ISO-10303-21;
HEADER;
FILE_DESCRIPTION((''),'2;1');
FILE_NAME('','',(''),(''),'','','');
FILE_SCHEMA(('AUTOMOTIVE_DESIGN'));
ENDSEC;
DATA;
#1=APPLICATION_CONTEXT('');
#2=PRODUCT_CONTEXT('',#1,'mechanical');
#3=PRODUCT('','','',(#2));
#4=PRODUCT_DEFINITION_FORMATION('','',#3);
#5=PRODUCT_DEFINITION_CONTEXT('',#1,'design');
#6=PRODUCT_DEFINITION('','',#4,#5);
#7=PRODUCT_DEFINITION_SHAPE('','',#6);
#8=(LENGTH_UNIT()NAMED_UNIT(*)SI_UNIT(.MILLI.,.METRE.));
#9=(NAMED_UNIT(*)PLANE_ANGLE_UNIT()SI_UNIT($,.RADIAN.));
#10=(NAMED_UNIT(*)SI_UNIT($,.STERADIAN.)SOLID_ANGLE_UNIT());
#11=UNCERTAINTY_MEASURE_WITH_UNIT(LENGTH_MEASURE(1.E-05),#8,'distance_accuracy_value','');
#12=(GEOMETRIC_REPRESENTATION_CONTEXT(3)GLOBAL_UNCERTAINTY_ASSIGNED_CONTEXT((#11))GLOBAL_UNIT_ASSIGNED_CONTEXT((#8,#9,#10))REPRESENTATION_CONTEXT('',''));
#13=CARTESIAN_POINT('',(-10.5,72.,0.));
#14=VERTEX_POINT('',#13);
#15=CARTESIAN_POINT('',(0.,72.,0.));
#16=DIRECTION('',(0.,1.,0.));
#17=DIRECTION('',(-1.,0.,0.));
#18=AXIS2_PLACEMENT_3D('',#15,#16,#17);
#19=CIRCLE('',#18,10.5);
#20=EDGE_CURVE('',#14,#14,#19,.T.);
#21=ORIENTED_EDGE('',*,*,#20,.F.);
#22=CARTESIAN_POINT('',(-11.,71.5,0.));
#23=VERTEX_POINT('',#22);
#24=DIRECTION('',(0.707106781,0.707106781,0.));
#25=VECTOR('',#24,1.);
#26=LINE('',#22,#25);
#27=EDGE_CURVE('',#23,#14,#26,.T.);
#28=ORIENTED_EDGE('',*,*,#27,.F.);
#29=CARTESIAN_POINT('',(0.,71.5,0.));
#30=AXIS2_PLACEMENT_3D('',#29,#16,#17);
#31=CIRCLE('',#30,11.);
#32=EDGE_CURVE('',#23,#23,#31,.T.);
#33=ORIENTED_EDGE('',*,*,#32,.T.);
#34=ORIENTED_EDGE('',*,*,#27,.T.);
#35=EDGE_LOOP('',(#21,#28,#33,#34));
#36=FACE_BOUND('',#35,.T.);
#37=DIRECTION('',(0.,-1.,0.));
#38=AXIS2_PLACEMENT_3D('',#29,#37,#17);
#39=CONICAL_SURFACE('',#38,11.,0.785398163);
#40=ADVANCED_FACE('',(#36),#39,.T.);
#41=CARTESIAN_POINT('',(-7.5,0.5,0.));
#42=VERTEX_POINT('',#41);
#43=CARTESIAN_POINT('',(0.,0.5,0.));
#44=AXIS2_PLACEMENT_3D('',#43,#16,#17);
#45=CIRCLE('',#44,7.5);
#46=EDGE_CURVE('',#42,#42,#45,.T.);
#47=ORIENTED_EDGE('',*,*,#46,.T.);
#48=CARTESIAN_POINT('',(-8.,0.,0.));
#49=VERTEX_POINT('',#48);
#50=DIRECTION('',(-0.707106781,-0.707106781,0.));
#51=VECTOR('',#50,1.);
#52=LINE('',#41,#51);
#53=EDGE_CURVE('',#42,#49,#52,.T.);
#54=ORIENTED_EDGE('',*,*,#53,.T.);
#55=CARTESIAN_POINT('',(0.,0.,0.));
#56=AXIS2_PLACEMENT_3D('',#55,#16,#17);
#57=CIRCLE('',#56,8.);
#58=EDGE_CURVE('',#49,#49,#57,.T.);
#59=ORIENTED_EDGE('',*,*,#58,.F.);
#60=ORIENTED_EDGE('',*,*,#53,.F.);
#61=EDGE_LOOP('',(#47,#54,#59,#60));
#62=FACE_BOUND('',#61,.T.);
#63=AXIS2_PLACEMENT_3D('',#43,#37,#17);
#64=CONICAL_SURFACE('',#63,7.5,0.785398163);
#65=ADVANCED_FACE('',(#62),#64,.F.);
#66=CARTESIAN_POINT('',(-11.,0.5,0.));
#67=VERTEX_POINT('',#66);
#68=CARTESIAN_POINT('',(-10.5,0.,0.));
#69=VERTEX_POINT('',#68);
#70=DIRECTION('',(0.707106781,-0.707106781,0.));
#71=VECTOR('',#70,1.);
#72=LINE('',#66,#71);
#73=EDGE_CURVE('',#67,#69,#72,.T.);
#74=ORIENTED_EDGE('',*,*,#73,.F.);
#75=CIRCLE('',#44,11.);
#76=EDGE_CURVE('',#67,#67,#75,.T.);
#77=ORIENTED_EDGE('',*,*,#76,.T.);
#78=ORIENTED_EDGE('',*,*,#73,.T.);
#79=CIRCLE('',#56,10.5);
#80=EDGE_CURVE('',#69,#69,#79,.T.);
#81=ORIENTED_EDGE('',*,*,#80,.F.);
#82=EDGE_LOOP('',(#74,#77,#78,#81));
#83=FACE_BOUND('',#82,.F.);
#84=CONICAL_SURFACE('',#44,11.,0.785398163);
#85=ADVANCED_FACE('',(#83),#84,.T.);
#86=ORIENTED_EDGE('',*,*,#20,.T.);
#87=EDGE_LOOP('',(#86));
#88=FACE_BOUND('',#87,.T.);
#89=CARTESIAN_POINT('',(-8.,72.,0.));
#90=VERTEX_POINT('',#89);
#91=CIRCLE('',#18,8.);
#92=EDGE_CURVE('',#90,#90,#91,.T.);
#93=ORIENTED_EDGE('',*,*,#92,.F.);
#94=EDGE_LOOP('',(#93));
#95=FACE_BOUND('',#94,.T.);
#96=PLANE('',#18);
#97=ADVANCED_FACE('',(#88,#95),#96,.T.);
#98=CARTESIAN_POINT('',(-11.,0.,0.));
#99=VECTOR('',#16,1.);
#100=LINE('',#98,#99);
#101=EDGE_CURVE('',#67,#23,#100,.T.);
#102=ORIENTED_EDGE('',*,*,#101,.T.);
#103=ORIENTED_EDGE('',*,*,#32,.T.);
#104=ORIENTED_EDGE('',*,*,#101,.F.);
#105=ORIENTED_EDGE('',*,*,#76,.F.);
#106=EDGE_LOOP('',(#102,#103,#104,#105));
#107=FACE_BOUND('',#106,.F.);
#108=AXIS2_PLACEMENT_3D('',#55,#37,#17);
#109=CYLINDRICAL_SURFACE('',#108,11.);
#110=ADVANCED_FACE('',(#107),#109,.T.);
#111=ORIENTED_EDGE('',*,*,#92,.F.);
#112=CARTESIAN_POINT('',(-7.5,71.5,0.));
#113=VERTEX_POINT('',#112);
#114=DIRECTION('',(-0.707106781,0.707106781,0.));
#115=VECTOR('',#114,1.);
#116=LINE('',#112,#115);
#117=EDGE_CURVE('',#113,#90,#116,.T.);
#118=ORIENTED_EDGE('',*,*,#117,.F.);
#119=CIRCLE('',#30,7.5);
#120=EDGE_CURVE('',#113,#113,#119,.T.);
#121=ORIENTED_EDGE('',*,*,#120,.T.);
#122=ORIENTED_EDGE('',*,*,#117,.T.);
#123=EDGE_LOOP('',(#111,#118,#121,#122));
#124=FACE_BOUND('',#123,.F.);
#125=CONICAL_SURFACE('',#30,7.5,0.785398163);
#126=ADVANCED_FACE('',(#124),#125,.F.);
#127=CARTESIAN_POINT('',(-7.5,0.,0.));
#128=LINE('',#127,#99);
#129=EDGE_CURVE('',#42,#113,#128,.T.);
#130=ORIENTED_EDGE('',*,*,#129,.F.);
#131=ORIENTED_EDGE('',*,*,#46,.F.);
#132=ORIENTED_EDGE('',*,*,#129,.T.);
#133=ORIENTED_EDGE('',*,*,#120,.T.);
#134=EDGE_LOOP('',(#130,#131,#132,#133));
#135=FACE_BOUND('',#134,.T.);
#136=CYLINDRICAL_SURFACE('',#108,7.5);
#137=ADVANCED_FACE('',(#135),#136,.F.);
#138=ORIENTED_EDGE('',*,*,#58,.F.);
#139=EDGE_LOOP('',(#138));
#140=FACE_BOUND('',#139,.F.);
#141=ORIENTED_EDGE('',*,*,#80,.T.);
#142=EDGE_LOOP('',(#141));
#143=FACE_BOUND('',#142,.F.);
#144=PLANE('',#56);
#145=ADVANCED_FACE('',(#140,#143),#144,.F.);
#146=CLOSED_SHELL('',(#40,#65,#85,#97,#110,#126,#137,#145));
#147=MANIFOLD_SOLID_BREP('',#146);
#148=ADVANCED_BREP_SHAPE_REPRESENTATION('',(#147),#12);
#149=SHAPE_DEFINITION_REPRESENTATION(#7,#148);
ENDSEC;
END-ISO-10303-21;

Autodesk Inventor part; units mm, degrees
ref_plane "YZ Plane" through (0, 0, 0) normal (1, 0, 0) x (0, 1, 0)
ref_plane "XZ Plane" through (0, 0, 0) normal (0, 1, 0) x (-1, 0, 0)
ref_plane "XY Plane" through (0, 0, 0) normal (0, 0, 1) x (1, 0, 0)
sketch "Sketch1" plane through (0, 0, 0) normal (0, 1, 0) x (-1, 0, 0)
  circle A0 centre (0, 0) radius 11
  circle A1 centre (0, 0) radius 7.5
  dimension "d0" = 22
  dimension "d1" = 15
extrude "Extrusion1" add sketch "Sketch1" along normal blind 72
chamfer "Chamfer1" distance 0.5 angle 45 4 edges at (7.5, 72, 0) (11, 72, 0) (11, 0, 0) (7.5, 0, 0)
properties part number "Sworzeń tłoka"
